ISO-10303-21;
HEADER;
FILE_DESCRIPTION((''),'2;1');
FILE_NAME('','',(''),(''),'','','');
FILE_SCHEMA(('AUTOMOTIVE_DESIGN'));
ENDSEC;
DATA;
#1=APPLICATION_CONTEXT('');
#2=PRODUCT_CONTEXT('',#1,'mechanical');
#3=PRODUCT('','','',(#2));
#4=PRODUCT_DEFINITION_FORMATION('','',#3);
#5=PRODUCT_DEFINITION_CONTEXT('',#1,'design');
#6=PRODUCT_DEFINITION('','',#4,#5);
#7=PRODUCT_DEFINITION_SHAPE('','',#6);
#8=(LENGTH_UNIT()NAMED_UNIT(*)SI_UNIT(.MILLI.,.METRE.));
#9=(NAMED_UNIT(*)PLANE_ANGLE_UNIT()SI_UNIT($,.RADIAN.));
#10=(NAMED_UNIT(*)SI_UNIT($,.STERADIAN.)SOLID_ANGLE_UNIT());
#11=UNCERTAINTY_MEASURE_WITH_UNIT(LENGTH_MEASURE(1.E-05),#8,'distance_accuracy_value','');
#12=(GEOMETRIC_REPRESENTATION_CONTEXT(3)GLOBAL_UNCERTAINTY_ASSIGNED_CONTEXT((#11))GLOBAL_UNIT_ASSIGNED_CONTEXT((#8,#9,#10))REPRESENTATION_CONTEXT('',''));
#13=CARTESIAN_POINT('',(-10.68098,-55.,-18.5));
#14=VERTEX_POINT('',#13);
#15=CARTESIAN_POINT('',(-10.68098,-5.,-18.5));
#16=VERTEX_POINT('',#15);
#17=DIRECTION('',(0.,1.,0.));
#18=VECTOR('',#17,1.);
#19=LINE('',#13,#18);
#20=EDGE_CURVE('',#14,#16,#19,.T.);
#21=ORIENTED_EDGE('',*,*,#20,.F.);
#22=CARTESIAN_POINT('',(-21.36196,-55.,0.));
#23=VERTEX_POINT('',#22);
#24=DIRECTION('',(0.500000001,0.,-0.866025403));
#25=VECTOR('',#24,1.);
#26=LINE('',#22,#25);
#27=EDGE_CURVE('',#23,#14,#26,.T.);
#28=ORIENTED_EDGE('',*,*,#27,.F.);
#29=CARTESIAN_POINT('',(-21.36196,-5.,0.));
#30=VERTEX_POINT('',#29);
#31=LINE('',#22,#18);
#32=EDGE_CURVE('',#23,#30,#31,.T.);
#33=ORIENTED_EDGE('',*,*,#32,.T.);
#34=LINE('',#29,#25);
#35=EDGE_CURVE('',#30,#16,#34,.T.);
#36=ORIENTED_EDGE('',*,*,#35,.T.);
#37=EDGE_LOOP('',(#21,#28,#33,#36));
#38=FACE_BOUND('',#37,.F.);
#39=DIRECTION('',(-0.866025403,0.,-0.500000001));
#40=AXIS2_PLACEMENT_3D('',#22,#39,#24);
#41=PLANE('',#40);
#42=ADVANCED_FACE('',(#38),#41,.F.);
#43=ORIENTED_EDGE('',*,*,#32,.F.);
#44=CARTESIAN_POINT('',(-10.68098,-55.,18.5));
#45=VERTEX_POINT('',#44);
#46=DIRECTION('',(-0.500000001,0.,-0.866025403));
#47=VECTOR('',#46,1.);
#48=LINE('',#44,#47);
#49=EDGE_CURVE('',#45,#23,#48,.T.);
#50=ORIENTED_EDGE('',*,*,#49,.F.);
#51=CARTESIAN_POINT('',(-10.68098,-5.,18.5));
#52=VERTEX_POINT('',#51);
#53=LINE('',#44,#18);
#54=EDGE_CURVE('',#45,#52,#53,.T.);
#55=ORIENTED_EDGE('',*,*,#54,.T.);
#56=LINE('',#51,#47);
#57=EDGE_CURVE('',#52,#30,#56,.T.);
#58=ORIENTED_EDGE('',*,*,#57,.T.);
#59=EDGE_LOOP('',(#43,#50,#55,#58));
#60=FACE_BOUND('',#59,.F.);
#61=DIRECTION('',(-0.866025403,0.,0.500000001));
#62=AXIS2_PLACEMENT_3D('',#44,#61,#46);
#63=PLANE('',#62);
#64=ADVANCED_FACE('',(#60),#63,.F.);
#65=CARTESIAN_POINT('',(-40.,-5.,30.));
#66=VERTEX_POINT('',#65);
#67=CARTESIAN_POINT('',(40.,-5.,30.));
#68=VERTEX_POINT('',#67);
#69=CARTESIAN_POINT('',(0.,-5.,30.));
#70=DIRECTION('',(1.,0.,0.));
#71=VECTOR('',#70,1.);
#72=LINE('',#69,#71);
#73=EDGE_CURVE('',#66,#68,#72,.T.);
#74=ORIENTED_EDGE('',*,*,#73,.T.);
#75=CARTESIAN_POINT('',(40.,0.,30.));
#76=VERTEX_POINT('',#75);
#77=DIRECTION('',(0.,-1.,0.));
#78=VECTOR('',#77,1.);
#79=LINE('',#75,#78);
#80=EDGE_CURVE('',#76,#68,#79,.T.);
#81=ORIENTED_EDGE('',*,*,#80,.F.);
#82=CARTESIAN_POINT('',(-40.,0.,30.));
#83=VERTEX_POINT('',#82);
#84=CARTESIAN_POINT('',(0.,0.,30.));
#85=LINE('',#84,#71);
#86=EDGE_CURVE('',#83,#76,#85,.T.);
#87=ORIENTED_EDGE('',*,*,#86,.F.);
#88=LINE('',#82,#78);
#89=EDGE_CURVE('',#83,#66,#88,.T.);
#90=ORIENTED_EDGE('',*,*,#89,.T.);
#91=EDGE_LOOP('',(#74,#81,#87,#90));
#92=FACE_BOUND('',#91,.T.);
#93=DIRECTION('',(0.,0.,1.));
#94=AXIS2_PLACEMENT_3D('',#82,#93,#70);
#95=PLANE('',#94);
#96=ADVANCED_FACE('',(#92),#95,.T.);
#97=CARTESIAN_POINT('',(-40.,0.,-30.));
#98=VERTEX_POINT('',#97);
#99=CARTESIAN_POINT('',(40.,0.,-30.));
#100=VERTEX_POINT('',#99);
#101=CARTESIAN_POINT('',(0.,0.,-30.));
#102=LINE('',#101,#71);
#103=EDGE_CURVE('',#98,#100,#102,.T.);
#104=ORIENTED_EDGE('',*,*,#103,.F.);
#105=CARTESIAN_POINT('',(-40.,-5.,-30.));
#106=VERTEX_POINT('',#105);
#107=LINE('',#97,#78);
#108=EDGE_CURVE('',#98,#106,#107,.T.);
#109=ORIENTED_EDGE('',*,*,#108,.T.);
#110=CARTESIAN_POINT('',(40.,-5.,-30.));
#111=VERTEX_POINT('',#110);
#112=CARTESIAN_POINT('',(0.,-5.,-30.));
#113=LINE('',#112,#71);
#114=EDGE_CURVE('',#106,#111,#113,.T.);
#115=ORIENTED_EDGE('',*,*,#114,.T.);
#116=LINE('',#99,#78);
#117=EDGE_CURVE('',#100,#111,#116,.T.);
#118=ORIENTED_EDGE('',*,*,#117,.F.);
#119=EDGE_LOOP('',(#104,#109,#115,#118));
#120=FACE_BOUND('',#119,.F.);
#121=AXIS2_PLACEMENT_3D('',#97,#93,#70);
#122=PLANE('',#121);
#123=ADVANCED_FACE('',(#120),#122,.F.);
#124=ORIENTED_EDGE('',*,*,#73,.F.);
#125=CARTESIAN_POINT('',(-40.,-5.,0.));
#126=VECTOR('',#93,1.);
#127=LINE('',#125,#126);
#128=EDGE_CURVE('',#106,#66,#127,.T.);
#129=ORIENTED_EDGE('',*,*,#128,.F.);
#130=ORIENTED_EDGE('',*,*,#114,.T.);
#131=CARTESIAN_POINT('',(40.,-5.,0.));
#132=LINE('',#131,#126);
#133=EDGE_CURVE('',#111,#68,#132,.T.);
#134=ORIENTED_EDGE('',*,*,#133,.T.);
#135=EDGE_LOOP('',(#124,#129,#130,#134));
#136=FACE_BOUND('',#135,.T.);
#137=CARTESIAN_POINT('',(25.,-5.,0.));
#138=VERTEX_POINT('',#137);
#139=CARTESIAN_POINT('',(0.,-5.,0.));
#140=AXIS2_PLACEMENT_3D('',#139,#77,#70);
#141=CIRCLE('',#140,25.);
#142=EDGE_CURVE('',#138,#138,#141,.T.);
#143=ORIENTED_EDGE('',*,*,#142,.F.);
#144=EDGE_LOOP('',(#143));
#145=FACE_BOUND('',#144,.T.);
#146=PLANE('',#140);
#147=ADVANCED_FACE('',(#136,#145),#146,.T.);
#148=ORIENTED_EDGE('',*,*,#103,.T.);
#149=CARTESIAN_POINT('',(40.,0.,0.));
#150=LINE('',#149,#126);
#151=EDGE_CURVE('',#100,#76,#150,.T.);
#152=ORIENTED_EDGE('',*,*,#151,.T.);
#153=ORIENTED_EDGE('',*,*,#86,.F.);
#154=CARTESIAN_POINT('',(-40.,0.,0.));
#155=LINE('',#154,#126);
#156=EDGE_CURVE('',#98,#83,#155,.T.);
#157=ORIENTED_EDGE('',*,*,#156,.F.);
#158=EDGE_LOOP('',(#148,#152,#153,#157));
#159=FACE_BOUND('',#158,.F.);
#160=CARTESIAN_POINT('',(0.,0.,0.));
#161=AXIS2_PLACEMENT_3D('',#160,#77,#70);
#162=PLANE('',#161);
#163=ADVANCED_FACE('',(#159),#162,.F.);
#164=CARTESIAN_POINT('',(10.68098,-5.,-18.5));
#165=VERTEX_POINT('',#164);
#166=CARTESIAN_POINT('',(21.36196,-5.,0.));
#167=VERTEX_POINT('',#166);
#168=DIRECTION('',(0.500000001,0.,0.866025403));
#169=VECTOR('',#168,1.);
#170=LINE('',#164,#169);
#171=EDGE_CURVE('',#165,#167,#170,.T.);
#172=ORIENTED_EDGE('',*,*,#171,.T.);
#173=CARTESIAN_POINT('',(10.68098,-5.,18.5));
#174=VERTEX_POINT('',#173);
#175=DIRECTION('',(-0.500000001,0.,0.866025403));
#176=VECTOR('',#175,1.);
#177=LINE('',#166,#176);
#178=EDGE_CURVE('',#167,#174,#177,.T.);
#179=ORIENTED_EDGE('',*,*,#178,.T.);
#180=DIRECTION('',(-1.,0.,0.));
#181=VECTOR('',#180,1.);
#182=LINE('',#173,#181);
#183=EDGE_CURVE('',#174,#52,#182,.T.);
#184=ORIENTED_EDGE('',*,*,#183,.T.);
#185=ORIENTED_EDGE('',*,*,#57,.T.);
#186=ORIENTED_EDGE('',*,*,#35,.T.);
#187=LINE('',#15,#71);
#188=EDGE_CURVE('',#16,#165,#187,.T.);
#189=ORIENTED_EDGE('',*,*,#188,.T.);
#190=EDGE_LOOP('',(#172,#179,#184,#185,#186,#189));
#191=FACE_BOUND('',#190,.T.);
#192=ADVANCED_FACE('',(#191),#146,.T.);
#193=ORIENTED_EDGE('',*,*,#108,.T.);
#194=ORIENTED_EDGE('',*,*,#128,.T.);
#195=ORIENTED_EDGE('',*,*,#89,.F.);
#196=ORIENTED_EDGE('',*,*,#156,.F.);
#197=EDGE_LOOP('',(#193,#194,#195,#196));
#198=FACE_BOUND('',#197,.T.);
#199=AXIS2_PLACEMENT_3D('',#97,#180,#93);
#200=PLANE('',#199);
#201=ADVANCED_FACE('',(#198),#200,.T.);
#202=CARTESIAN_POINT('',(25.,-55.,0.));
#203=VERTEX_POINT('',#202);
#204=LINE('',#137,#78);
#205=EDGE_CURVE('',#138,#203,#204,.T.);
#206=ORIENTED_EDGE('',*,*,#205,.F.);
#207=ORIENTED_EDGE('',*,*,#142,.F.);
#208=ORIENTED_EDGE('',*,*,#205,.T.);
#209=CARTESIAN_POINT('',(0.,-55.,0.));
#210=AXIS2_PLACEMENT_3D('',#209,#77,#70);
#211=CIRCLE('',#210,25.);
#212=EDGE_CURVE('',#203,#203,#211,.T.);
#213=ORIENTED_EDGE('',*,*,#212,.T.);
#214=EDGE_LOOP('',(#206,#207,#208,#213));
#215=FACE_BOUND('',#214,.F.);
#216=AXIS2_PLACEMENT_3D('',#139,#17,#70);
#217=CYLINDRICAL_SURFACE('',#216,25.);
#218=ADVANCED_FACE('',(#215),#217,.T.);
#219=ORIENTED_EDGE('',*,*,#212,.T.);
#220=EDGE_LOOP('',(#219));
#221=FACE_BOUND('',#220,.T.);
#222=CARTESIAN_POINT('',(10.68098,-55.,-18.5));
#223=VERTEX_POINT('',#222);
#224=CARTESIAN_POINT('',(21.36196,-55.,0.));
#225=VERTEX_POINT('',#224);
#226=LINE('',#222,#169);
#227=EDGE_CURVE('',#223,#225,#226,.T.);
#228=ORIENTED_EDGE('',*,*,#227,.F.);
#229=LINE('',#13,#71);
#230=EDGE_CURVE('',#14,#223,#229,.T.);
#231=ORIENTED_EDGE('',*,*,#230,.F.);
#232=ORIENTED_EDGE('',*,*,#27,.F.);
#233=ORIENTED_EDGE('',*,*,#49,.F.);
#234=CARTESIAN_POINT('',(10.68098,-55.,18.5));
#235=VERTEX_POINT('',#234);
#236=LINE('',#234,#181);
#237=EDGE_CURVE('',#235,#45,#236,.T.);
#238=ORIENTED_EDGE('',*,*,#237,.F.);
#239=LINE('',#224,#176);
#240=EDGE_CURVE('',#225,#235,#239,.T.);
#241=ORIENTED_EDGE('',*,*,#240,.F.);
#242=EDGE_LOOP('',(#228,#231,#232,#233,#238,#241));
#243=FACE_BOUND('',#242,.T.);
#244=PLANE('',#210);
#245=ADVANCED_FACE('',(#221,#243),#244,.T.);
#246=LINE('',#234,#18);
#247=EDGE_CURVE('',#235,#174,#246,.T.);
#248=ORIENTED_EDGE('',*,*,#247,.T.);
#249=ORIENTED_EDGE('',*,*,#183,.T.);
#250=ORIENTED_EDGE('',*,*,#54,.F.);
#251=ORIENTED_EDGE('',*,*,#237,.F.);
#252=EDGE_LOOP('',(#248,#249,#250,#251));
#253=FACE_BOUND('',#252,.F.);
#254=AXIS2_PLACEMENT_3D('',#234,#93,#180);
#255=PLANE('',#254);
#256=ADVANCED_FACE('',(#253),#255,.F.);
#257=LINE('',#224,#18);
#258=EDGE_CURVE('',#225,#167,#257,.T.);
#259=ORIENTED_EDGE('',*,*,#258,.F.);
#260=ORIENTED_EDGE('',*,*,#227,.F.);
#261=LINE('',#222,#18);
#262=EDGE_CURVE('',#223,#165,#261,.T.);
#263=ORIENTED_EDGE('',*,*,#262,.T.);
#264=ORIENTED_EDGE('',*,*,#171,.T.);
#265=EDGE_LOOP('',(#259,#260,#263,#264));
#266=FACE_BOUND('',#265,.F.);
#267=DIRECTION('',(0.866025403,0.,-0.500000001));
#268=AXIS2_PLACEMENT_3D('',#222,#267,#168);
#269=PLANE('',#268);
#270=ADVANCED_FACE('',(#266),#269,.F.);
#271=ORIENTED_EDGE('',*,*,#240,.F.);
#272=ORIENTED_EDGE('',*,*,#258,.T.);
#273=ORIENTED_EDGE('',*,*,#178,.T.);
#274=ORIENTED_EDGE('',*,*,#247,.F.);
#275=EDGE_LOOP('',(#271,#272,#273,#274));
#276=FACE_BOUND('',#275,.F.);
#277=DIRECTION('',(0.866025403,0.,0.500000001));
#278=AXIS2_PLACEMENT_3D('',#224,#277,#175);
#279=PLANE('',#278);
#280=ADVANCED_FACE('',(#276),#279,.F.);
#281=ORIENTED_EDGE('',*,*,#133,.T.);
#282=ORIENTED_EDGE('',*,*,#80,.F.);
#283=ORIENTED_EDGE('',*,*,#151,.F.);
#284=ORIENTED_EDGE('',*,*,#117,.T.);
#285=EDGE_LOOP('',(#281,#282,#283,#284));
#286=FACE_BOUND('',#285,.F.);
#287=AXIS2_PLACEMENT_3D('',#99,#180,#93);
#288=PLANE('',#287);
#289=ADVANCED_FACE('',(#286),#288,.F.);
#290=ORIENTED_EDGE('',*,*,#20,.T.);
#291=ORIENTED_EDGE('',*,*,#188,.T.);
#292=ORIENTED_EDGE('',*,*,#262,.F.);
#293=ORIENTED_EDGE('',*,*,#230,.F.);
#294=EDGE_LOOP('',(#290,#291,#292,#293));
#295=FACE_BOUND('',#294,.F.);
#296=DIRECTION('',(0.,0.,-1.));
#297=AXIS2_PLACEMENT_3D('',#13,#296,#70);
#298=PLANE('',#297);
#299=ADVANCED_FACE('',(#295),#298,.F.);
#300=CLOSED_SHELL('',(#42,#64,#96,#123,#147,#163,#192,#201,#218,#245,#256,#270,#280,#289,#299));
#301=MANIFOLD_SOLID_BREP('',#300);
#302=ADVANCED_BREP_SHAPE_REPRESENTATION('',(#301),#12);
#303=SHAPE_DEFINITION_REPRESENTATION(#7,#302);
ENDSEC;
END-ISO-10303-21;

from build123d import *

# Parameters (mm, degrees)
F0_W     = 80
F0_H     = 60
F1_DEPTH = 5
F2_R     = 25
F3_DEPTH = 50
F5_DEPTH = 50


with BuildPart() as f1:
    # F0 (on Front) → F1 (new body)
    with BuildSketch(Plane.XZ):
        Rectangle(F0_W, F0_H)
    extrude(amount=F1_DEPTH)

    # F2 (on face) → F3 (join)
    with BuildSketch(Plane.XZ.offset(5)):
        Circle(F2_R)
    extrude(amount=F3_DEPTH)

    # F4 (on face) → F5 (cut)
    with BuildSketch(Plane.XZ.offset(55)):
        Polygon((10.68098, -18.5), (21.36196, 0), (10.68098, 18.5), (-10.68098, 18.5), (-21.36196, 0), (-10.68098, -18.5), align=None)
    extrude(amount=-F5_DEPTH, mode=Mode.SUBTRACT)


solid = f1.part
